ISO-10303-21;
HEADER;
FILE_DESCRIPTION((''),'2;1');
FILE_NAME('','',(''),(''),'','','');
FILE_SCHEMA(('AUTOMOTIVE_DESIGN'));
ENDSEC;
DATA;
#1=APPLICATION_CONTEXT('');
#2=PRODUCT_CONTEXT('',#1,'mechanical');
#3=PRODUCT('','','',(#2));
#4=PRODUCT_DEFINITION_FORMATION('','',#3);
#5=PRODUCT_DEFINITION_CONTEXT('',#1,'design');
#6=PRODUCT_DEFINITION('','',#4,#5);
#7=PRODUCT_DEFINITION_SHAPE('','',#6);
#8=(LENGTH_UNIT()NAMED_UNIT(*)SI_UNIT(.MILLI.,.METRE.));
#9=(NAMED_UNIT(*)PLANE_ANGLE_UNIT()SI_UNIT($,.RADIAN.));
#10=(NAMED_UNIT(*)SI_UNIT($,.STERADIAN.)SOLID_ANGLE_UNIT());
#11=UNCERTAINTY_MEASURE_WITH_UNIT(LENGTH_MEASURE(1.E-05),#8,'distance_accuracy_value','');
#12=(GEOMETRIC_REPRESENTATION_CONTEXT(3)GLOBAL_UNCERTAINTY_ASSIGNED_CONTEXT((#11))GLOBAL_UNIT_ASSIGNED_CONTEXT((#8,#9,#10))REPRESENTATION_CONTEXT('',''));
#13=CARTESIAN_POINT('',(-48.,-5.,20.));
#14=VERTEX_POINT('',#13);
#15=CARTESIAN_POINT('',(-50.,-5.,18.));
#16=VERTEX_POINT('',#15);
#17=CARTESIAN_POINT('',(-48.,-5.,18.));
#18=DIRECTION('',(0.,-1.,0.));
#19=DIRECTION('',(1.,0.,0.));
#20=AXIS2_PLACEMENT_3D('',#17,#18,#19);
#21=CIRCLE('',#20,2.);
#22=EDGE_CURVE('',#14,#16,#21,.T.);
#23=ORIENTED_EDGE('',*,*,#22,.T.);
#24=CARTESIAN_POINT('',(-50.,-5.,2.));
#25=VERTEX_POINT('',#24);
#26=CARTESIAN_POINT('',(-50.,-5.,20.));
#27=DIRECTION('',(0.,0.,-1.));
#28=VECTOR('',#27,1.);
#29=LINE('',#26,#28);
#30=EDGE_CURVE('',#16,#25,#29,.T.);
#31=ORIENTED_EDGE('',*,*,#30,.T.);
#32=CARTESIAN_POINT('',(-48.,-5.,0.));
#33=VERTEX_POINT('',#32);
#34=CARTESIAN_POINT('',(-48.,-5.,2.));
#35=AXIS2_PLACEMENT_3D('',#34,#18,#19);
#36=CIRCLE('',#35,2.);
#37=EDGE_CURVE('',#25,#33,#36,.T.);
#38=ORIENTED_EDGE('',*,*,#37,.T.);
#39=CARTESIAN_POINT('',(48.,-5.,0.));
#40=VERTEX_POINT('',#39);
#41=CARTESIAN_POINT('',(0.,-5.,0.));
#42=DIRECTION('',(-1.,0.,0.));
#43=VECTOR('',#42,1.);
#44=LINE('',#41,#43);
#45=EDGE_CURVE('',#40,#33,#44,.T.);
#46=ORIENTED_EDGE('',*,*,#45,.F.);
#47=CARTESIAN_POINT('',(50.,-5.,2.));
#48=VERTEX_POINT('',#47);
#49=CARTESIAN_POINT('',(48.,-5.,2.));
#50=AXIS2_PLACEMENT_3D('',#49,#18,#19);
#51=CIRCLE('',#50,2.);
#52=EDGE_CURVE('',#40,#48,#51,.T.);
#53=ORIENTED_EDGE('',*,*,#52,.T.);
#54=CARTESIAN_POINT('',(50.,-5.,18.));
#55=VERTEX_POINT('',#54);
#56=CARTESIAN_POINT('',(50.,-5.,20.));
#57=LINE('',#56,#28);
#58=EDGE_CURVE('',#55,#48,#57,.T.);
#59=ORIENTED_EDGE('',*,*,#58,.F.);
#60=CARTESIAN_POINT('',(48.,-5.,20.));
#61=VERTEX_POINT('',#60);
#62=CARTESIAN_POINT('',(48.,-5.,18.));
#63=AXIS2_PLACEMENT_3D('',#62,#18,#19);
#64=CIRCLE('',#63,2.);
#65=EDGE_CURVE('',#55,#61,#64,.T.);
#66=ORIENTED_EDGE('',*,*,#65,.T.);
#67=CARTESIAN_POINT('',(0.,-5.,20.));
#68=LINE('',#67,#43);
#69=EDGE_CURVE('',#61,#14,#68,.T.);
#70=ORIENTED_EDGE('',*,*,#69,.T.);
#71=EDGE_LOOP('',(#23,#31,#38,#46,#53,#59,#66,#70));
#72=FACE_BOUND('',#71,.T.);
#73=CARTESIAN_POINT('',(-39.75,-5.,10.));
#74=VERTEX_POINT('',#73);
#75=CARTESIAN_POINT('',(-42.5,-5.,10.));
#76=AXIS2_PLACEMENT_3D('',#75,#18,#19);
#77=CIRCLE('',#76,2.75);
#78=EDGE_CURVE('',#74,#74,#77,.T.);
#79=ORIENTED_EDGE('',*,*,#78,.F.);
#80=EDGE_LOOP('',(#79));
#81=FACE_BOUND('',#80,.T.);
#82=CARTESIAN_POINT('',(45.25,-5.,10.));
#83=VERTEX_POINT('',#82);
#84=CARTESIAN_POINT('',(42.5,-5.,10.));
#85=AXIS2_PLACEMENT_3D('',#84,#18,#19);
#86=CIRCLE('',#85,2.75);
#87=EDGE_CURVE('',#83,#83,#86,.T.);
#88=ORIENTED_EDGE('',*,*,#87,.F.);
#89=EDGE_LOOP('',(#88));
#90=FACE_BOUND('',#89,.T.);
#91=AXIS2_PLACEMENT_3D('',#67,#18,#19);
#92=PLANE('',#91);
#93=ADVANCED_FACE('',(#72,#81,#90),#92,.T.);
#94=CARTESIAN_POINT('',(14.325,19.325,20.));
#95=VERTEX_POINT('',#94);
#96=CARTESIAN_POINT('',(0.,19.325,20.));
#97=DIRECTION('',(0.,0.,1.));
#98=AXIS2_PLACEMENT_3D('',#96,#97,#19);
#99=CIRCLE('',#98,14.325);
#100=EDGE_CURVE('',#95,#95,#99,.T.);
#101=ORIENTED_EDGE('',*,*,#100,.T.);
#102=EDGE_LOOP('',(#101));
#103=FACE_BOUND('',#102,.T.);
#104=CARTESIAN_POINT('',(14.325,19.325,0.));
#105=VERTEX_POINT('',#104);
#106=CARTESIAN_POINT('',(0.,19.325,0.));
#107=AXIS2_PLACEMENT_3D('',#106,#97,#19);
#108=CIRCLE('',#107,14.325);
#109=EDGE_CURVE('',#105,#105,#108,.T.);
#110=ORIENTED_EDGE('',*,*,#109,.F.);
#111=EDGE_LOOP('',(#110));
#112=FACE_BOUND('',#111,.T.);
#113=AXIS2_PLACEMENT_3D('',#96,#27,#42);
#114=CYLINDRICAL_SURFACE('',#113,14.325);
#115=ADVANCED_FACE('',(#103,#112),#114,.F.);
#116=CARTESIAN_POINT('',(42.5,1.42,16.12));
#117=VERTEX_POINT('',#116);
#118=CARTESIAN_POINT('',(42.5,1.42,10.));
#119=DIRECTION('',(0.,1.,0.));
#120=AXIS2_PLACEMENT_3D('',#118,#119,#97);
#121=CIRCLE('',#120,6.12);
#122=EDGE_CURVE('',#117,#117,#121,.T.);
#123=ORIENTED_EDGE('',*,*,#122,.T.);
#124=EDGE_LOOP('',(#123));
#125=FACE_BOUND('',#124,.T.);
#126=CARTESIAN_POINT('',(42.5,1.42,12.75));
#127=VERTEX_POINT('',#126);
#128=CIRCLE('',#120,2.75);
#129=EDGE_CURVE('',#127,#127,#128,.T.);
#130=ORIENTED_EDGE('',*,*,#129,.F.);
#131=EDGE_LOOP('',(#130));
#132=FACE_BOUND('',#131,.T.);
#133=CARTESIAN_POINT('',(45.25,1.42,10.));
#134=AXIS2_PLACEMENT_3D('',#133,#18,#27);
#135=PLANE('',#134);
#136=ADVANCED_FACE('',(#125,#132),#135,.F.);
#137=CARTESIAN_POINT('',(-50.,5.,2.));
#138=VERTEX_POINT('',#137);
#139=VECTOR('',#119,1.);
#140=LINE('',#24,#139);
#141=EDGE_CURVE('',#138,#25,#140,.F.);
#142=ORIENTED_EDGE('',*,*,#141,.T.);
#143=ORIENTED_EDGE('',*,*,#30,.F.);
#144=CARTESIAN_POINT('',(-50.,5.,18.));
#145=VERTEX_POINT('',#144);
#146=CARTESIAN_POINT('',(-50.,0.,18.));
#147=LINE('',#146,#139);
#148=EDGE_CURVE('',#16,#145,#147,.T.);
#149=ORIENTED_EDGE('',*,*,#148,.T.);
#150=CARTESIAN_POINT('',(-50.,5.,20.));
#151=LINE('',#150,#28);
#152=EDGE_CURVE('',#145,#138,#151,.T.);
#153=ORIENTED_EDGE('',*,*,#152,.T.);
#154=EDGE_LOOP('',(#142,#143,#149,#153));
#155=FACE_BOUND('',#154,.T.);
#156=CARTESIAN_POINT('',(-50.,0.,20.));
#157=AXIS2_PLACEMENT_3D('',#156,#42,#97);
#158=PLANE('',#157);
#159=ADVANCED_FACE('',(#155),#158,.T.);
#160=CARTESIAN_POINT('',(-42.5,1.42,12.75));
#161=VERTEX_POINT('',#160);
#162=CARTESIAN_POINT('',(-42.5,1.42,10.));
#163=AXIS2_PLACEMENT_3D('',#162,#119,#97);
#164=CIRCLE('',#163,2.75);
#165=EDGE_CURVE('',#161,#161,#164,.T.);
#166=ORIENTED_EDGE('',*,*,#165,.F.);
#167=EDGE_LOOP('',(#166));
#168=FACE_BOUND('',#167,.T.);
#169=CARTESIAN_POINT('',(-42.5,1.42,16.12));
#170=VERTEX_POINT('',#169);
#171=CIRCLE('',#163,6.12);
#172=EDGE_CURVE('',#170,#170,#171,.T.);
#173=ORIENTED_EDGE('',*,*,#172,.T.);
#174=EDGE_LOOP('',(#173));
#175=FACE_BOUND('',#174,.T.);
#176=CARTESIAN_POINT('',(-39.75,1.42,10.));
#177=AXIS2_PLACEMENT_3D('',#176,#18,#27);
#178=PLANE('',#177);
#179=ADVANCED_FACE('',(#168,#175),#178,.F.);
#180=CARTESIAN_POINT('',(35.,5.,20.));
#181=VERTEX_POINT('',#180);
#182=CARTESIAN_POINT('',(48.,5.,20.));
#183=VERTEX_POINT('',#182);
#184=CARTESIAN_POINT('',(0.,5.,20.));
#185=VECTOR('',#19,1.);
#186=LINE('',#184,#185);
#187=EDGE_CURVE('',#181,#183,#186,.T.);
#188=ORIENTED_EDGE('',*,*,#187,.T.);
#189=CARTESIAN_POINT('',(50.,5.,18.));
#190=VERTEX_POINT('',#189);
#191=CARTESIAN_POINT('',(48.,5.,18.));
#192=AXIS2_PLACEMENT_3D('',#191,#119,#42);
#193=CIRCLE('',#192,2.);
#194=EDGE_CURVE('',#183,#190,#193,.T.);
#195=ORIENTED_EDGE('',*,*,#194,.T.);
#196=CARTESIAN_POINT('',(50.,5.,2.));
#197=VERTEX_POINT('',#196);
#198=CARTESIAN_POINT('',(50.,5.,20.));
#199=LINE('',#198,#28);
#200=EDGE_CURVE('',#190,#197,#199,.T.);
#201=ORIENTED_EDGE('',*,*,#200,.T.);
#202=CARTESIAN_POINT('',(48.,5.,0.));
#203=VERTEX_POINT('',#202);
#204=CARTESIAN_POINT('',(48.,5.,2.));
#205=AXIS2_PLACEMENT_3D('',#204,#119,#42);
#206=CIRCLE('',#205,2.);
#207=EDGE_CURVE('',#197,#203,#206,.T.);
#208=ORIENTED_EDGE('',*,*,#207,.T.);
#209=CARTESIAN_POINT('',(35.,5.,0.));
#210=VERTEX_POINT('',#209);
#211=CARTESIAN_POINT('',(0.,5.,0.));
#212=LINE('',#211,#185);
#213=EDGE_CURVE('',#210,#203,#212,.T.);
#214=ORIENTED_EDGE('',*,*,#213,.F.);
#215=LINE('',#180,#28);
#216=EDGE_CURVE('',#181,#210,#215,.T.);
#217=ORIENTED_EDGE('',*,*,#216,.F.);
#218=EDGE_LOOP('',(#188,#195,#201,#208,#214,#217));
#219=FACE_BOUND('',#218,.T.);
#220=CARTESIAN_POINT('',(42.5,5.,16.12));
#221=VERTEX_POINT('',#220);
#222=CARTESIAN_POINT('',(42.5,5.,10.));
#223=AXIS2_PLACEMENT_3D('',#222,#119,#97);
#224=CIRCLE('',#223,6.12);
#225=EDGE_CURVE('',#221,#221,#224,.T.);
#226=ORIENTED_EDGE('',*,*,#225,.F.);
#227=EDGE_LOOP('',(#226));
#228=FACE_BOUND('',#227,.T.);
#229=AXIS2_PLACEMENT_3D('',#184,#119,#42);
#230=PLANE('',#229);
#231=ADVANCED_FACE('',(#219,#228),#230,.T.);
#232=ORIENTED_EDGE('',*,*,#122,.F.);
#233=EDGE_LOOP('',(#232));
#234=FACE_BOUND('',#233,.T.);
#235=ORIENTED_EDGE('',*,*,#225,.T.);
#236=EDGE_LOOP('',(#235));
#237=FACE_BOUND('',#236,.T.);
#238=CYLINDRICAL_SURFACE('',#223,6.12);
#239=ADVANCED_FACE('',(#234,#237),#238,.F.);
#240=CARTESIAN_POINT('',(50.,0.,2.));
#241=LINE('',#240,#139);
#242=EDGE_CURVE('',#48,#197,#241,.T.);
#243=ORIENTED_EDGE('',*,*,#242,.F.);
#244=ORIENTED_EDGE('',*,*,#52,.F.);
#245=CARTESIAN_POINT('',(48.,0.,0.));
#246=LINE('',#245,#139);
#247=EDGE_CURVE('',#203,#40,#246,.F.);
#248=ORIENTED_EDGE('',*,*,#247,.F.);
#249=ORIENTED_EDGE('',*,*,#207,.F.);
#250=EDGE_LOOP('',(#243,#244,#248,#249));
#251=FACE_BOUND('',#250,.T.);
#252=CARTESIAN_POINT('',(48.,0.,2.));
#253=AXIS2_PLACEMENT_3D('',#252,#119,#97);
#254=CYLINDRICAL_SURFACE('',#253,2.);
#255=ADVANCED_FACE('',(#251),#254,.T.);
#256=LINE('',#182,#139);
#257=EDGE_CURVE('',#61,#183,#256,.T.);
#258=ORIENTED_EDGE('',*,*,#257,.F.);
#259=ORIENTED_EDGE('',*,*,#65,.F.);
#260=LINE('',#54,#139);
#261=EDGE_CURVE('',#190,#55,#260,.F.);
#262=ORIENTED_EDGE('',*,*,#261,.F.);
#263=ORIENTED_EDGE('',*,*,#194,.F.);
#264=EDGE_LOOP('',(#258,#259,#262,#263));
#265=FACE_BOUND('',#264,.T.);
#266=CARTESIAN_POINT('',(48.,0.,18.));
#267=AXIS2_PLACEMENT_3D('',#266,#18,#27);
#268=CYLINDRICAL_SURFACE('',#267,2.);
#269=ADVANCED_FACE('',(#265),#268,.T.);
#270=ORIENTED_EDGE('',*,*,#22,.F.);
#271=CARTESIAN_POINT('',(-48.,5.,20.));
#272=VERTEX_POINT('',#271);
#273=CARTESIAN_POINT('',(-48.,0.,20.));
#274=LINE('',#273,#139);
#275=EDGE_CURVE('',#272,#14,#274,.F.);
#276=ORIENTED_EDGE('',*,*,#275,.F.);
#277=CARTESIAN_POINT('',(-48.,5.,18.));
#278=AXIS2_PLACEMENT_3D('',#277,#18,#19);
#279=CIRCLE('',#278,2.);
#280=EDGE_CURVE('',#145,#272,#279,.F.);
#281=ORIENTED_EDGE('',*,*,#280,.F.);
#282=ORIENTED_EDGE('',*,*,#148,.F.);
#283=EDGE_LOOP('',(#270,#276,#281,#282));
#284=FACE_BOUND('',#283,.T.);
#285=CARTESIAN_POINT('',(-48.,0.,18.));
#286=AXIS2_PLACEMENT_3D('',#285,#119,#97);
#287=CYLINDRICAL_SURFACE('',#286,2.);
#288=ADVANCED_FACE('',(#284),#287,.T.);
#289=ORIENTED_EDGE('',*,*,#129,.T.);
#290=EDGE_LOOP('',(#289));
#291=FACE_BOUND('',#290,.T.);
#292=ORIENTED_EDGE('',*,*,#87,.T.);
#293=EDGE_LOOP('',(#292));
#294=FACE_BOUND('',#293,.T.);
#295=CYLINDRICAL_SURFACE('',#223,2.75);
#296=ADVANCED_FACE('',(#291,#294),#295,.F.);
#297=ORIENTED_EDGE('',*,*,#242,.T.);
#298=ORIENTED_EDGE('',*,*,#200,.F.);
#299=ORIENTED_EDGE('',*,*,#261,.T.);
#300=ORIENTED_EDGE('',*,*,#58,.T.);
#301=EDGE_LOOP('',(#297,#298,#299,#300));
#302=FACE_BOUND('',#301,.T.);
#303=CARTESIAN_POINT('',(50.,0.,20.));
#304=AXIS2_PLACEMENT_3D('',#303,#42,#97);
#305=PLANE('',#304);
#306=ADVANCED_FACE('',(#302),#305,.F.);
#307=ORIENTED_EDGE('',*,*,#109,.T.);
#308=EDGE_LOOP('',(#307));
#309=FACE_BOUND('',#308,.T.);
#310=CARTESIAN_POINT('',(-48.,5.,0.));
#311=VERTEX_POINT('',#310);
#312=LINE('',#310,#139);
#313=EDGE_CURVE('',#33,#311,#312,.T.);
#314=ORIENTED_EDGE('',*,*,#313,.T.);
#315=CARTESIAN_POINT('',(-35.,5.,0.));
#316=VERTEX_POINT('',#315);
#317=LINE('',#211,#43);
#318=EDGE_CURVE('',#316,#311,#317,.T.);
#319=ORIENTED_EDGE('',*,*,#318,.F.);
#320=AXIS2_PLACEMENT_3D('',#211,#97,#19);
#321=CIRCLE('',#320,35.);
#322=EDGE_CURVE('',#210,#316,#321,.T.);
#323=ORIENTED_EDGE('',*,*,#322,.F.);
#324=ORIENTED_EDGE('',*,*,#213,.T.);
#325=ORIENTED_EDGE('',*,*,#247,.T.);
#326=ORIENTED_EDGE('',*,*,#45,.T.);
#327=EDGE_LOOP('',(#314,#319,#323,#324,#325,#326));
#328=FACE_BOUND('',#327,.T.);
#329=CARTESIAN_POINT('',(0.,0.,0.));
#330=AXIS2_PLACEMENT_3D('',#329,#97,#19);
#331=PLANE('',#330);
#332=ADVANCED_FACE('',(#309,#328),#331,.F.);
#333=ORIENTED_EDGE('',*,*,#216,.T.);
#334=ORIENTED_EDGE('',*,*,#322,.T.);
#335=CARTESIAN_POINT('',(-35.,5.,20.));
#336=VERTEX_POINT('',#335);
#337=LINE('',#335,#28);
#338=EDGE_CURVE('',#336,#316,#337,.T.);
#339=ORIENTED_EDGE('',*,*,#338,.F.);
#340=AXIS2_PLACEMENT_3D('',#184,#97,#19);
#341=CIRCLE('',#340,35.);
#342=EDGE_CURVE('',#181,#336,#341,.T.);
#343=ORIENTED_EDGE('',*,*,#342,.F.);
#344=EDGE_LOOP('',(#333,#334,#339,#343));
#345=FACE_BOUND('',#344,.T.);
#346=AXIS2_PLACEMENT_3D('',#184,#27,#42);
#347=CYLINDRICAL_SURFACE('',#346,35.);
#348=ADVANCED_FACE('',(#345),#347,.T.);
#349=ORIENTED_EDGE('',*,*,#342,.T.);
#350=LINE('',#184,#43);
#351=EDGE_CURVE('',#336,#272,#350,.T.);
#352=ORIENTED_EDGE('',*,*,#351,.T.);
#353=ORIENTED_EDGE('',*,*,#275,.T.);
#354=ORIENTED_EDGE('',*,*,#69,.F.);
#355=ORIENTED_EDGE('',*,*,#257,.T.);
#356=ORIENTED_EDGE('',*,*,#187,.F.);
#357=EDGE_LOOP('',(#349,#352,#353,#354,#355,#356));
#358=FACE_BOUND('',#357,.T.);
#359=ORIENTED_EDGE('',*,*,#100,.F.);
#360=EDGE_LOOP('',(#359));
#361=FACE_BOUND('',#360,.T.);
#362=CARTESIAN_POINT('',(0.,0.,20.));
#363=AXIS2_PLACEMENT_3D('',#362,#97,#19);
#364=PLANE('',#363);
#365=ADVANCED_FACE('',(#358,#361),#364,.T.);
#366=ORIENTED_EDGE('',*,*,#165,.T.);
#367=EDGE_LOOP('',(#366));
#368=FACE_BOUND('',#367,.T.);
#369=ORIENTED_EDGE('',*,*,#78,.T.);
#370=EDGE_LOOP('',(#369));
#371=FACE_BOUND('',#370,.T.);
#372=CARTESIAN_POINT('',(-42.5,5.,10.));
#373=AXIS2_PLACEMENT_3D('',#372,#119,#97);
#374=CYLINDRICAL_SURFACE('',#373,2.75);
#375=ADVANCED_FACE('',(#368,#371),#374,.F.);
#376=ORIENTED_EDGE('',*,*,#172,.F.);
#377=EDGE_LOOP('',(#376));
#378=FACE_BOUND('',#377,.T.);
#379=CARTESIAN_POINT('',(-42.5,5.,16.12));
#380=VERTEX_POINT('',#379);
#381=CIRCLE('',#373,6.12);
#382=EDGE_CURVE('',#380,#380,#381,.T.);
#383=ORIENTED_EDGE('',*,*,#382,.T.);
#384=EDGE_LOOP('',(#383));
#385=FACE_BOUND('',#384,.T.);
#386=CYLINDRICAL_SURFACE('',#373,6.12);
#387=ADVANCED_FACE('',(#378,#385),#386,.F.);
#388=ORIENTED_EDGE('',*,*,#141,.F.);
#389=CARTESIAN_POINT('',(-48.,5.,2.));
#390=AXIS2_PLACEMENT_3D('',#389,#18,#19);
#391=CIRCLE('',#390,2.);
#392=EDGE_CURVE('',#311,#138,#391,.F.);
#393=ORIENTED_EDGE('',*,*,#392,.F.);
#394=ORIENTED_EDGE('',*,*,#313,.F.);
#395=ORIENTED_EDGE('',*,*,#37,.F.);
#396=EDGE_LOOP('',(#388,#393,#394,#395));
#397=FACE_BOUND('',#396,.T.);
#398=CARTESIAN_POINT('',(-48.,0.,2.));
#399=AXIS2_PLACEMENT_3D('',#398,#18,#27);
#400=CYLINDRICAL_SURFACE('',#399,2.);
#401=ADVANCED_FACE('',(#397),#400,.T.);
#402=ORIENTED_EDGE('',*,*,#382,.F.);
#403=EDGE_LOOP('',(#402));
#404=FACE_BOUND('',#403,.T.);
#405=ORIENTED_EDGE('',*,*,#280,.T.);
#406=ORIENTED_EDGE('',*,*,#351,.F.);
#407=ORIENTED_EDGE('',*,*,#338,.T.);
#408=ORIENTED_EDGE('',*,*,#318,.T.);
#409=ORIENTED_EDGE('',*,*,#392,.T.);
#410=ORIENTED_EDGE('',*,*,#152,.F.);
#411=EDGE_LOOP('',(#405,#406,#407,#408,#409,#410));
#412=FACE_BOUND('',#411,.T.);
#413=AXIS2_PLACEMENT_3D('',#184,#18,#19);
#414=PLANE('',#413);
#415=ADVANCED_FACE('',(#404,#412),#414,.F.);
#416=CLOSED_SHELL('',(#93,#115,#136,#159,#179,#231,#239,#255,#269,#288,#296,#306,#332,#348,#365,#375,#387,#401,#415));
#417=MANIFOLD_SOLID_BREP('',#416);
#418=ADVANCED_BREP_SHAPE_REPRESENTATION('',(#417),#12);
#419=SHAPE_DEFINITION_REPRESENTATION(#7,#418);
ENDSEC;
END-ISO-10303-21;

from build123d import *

# Parameters (mm, degrees)
SKETCH3_R                               = 14.325
BOSS_EXTRUDE3_DEPTH                     = 20
CBORE_FOR_M5_HEX_HEAD_BOLT1_D           = 5.5
CBORE_FOR_M5_HEX_HEAD_BOLT1_DEPTH       = 10
CBORE_FOR_M5_HEX_HEAD_BOLT1_CBORE_D     = 12.24
CBORE_FOR_M5_HEX_HEAD_BOLT1_CBORE_DEPTH = 3.58
FILLET1_R                               = 2


with BuildPart() as part:
    # Sketch3 → Boss-Extrude3 (new body)
    with BuildSketch(Plane.XY):
        with BuildLine():
            ThreePointArc((35, 5), (0, 40), (-35, 5))
            Line((-35, 5), (-50, 5))
            Line((-50, 5), (-50, -5))
            Line((-50, -5), (50, -5))
            Line((50, -5), (50, 5))
            Line((50, 5), (35, 5))
        make_face()
        with Locations((0, 19.325)):
            Circle(SKETCH3_R, mode=Mode.SUBTRACT)
    extrude(amount=BOSS_EXTRUDE3_DEPTH)

    # CBORE for M5 Hex Head Bolt1
    with Locations(Plane(origin=(0, 5, 0), x_dir=(1, 0, 0), z_dir=(0, 1, 0))):
        with Locations((-42.5, -10), (42.5, -10)):
            CounterBoreHole(CBORE_FOR_M5_HEX_HEAD_BOLT1_D / 2, CBORE_FOR_M5_HEX_HEAD_BOLT1_CBORE_D / 2, CBORE_FOR_M5_HEX_HEAD_BOLT1_CBORE_DEPTH, depth=CBORE_FOR_M5_HEX_HEAD_BOLT1_DEPTH)

    # Fillet1
    fillet1_edges = [part.edges().sort_by_distance(p)[0] for p in [
        (50, 0, 0),
        (-50, 0, 0),
        (50, 0, 20),
        (-50, 0, 20),
    ]]
    fillet(fillet1_edges, radius=FILLET1_R)


solid = part.part
